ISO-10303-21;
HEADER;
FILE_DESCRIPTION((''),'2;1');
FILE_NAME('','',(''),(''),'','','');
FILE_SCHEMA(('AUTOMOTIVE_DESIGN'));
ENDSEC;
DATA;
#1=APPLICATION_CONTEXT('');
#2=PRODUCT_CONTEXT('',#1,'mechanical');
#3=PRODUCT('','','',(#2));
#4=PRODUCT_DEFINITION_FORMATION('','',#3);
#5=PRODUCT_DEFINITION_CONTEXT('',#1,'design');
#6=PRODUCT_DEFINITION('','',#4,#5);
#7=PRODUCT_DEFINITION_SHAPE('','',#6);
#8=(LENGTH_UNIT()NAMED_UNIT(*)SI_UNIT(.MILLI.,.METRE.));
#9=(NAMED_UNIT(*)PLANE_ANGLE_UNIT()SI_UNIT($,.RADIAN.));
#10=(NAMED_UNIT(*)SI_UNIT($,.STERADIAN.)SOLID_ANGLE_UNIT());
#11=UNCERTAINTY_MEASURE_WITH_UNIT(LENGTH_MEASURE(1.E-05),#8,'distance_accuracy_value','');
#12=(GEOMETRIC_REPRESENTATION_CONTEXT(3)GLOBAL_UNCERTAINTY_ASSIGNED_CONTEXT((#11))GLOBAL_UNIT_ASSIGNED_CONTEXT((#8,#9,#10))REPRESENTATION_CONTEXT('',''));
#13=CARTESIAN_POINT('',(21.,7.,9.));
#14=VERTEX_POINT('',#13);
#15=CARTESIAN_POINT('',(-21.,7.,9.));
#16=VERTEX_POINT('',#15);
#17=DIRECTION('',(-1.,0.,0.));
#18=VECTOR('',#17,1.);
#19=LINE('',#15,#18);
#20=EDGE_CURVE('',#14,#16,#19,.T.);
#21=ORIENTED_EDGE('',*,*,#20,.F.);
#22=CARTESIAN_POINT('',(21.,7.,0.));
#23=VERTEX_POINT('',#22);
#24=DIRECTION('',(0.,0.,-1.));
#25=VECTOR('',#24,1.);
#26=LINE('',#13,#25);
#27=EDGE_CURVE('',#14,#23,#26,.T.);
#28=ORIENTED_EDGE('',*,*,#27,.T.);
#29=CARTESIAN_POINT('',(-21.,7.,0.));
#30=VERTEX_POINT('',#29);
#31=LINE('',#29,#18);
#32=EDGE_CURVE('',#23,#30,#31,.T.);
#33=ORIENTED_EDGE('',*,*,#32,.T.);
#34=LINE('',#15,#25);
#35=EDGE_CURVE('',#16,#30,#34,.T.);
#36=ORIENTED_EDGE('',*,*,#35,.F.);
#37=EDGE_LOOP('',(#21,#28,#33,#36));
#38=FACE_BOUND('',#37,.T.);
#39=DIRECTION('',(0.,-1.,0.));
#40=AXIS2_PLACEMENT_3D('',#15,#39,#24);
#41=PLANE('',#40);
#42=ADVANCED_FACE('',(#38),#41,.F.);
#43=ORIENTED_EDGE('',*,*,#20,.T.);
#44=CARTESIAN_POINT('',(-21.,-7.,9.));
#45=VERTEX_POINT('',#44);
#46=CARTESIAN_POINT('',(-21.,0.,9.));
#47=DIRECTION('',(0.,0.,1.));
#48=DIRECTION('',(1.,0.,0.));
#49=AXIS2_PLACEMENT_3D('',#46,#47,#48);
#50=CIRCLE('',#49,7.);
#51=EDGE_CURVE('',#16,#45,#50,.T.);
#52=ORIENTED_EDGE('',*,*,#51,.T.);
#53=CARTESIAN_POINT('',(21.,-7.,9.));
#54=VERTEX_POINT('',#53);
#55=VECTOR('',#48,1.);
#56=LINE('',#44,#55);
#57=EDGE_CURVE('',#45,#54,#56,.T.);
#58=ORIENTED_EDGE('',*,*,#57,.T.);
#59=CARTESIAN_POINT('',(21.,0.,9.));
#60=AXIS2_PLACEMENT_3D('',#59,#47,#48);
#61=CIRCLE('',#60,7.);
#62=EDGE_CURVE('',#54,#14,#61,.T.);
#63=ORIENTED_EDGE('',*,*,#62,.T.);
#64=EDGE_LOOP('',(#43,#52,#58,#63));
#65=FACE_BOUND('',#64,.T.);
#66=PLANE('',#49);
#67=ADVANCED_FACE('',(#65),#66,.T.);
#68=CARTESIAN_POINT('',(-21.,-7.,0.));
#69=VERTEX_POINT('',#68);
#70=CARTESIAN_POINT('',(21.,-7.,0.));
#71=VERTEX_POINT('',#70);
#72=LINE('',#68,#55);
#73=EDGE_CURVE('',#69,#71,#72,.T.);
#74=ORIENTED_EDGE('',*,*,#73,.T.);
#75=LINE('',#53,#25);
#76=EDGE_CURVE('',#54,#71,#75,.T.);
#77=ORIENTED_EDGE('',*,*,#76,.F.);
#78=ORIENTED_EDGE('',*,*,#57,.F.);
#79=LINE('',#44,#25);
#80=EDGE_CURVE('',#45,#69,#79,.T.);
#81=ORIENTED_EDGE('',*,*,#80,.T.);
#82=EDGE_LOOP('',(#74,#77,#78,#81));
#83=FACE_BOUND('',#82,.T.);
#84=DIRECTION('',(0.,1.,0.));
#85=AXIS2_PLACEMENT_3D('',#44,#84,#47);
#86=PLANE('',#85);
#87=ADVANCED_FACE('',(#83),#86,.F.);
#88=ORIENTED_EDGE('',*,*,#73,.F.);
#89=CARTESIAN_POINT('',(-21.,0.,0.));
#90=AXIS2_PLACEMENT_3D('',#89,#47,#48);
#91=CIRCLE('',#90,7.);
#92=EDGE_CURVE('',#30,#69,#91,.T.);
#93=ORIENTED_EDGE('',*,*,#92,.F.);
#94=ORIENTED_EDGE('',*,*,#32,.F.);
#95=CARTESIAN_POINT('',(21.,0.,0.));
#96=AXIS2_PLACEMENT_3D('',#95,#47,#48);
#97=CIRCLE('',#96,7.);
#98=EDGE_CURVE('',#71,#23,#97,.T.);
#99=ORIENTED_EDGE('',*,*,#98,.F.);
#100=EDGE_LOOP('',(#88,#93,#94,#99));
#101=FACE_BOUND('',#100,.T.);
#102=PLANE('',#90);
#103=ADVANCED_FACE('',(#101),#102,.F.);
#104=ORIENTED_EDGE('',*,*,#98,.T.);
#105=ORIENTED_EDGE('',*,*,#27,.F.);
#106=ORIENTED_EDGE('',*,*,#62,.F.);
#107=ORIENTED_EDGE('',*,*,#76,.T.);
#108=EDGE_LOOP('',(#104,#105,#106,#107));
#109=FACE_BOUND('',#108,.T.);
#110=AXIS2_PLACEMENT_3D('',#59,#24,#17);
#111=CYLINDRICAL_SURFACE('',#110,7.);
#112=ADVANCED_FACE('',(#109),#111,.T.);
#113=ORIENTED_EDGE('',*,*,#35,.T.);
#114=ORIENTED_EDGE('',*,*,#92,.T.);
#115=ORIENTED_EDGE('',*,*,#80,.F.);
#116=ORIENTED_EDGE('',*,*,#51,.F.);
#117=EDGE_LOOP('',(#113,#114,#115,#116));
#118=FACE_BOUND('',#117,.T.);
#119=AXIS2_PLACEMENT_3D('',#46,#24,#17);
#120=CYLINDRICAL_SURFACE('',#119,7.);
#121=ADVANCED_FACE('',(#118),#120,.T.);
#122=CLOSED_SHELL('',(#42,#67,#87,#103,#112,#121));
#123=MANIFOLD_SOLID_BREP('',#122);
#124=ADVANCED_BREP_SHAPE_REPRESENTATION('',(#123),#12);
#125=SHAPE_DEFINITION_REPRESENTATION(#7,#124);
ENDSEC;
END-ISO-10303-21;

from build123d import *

# Parameters (mm, degrees)
EXTRUDE1_DEPTH = 9


with BuildPart() as part:
    # Sketch1 → Extrude1 (new body)
    with BuildSketch(Plane.XY):
        with BuildLine():
            Line((-21, 7), (21, 7))
            ThreePointArc((21, 7), (28, 0), (21, -7))
            Line((21, -7), (-21, -7))
            ThreePointArc((-21, -7), (-28, 0), (-21, 7))
        make_face()
    extrude(amount=EXTRUDE1_DEPTH)


solid = part.part
